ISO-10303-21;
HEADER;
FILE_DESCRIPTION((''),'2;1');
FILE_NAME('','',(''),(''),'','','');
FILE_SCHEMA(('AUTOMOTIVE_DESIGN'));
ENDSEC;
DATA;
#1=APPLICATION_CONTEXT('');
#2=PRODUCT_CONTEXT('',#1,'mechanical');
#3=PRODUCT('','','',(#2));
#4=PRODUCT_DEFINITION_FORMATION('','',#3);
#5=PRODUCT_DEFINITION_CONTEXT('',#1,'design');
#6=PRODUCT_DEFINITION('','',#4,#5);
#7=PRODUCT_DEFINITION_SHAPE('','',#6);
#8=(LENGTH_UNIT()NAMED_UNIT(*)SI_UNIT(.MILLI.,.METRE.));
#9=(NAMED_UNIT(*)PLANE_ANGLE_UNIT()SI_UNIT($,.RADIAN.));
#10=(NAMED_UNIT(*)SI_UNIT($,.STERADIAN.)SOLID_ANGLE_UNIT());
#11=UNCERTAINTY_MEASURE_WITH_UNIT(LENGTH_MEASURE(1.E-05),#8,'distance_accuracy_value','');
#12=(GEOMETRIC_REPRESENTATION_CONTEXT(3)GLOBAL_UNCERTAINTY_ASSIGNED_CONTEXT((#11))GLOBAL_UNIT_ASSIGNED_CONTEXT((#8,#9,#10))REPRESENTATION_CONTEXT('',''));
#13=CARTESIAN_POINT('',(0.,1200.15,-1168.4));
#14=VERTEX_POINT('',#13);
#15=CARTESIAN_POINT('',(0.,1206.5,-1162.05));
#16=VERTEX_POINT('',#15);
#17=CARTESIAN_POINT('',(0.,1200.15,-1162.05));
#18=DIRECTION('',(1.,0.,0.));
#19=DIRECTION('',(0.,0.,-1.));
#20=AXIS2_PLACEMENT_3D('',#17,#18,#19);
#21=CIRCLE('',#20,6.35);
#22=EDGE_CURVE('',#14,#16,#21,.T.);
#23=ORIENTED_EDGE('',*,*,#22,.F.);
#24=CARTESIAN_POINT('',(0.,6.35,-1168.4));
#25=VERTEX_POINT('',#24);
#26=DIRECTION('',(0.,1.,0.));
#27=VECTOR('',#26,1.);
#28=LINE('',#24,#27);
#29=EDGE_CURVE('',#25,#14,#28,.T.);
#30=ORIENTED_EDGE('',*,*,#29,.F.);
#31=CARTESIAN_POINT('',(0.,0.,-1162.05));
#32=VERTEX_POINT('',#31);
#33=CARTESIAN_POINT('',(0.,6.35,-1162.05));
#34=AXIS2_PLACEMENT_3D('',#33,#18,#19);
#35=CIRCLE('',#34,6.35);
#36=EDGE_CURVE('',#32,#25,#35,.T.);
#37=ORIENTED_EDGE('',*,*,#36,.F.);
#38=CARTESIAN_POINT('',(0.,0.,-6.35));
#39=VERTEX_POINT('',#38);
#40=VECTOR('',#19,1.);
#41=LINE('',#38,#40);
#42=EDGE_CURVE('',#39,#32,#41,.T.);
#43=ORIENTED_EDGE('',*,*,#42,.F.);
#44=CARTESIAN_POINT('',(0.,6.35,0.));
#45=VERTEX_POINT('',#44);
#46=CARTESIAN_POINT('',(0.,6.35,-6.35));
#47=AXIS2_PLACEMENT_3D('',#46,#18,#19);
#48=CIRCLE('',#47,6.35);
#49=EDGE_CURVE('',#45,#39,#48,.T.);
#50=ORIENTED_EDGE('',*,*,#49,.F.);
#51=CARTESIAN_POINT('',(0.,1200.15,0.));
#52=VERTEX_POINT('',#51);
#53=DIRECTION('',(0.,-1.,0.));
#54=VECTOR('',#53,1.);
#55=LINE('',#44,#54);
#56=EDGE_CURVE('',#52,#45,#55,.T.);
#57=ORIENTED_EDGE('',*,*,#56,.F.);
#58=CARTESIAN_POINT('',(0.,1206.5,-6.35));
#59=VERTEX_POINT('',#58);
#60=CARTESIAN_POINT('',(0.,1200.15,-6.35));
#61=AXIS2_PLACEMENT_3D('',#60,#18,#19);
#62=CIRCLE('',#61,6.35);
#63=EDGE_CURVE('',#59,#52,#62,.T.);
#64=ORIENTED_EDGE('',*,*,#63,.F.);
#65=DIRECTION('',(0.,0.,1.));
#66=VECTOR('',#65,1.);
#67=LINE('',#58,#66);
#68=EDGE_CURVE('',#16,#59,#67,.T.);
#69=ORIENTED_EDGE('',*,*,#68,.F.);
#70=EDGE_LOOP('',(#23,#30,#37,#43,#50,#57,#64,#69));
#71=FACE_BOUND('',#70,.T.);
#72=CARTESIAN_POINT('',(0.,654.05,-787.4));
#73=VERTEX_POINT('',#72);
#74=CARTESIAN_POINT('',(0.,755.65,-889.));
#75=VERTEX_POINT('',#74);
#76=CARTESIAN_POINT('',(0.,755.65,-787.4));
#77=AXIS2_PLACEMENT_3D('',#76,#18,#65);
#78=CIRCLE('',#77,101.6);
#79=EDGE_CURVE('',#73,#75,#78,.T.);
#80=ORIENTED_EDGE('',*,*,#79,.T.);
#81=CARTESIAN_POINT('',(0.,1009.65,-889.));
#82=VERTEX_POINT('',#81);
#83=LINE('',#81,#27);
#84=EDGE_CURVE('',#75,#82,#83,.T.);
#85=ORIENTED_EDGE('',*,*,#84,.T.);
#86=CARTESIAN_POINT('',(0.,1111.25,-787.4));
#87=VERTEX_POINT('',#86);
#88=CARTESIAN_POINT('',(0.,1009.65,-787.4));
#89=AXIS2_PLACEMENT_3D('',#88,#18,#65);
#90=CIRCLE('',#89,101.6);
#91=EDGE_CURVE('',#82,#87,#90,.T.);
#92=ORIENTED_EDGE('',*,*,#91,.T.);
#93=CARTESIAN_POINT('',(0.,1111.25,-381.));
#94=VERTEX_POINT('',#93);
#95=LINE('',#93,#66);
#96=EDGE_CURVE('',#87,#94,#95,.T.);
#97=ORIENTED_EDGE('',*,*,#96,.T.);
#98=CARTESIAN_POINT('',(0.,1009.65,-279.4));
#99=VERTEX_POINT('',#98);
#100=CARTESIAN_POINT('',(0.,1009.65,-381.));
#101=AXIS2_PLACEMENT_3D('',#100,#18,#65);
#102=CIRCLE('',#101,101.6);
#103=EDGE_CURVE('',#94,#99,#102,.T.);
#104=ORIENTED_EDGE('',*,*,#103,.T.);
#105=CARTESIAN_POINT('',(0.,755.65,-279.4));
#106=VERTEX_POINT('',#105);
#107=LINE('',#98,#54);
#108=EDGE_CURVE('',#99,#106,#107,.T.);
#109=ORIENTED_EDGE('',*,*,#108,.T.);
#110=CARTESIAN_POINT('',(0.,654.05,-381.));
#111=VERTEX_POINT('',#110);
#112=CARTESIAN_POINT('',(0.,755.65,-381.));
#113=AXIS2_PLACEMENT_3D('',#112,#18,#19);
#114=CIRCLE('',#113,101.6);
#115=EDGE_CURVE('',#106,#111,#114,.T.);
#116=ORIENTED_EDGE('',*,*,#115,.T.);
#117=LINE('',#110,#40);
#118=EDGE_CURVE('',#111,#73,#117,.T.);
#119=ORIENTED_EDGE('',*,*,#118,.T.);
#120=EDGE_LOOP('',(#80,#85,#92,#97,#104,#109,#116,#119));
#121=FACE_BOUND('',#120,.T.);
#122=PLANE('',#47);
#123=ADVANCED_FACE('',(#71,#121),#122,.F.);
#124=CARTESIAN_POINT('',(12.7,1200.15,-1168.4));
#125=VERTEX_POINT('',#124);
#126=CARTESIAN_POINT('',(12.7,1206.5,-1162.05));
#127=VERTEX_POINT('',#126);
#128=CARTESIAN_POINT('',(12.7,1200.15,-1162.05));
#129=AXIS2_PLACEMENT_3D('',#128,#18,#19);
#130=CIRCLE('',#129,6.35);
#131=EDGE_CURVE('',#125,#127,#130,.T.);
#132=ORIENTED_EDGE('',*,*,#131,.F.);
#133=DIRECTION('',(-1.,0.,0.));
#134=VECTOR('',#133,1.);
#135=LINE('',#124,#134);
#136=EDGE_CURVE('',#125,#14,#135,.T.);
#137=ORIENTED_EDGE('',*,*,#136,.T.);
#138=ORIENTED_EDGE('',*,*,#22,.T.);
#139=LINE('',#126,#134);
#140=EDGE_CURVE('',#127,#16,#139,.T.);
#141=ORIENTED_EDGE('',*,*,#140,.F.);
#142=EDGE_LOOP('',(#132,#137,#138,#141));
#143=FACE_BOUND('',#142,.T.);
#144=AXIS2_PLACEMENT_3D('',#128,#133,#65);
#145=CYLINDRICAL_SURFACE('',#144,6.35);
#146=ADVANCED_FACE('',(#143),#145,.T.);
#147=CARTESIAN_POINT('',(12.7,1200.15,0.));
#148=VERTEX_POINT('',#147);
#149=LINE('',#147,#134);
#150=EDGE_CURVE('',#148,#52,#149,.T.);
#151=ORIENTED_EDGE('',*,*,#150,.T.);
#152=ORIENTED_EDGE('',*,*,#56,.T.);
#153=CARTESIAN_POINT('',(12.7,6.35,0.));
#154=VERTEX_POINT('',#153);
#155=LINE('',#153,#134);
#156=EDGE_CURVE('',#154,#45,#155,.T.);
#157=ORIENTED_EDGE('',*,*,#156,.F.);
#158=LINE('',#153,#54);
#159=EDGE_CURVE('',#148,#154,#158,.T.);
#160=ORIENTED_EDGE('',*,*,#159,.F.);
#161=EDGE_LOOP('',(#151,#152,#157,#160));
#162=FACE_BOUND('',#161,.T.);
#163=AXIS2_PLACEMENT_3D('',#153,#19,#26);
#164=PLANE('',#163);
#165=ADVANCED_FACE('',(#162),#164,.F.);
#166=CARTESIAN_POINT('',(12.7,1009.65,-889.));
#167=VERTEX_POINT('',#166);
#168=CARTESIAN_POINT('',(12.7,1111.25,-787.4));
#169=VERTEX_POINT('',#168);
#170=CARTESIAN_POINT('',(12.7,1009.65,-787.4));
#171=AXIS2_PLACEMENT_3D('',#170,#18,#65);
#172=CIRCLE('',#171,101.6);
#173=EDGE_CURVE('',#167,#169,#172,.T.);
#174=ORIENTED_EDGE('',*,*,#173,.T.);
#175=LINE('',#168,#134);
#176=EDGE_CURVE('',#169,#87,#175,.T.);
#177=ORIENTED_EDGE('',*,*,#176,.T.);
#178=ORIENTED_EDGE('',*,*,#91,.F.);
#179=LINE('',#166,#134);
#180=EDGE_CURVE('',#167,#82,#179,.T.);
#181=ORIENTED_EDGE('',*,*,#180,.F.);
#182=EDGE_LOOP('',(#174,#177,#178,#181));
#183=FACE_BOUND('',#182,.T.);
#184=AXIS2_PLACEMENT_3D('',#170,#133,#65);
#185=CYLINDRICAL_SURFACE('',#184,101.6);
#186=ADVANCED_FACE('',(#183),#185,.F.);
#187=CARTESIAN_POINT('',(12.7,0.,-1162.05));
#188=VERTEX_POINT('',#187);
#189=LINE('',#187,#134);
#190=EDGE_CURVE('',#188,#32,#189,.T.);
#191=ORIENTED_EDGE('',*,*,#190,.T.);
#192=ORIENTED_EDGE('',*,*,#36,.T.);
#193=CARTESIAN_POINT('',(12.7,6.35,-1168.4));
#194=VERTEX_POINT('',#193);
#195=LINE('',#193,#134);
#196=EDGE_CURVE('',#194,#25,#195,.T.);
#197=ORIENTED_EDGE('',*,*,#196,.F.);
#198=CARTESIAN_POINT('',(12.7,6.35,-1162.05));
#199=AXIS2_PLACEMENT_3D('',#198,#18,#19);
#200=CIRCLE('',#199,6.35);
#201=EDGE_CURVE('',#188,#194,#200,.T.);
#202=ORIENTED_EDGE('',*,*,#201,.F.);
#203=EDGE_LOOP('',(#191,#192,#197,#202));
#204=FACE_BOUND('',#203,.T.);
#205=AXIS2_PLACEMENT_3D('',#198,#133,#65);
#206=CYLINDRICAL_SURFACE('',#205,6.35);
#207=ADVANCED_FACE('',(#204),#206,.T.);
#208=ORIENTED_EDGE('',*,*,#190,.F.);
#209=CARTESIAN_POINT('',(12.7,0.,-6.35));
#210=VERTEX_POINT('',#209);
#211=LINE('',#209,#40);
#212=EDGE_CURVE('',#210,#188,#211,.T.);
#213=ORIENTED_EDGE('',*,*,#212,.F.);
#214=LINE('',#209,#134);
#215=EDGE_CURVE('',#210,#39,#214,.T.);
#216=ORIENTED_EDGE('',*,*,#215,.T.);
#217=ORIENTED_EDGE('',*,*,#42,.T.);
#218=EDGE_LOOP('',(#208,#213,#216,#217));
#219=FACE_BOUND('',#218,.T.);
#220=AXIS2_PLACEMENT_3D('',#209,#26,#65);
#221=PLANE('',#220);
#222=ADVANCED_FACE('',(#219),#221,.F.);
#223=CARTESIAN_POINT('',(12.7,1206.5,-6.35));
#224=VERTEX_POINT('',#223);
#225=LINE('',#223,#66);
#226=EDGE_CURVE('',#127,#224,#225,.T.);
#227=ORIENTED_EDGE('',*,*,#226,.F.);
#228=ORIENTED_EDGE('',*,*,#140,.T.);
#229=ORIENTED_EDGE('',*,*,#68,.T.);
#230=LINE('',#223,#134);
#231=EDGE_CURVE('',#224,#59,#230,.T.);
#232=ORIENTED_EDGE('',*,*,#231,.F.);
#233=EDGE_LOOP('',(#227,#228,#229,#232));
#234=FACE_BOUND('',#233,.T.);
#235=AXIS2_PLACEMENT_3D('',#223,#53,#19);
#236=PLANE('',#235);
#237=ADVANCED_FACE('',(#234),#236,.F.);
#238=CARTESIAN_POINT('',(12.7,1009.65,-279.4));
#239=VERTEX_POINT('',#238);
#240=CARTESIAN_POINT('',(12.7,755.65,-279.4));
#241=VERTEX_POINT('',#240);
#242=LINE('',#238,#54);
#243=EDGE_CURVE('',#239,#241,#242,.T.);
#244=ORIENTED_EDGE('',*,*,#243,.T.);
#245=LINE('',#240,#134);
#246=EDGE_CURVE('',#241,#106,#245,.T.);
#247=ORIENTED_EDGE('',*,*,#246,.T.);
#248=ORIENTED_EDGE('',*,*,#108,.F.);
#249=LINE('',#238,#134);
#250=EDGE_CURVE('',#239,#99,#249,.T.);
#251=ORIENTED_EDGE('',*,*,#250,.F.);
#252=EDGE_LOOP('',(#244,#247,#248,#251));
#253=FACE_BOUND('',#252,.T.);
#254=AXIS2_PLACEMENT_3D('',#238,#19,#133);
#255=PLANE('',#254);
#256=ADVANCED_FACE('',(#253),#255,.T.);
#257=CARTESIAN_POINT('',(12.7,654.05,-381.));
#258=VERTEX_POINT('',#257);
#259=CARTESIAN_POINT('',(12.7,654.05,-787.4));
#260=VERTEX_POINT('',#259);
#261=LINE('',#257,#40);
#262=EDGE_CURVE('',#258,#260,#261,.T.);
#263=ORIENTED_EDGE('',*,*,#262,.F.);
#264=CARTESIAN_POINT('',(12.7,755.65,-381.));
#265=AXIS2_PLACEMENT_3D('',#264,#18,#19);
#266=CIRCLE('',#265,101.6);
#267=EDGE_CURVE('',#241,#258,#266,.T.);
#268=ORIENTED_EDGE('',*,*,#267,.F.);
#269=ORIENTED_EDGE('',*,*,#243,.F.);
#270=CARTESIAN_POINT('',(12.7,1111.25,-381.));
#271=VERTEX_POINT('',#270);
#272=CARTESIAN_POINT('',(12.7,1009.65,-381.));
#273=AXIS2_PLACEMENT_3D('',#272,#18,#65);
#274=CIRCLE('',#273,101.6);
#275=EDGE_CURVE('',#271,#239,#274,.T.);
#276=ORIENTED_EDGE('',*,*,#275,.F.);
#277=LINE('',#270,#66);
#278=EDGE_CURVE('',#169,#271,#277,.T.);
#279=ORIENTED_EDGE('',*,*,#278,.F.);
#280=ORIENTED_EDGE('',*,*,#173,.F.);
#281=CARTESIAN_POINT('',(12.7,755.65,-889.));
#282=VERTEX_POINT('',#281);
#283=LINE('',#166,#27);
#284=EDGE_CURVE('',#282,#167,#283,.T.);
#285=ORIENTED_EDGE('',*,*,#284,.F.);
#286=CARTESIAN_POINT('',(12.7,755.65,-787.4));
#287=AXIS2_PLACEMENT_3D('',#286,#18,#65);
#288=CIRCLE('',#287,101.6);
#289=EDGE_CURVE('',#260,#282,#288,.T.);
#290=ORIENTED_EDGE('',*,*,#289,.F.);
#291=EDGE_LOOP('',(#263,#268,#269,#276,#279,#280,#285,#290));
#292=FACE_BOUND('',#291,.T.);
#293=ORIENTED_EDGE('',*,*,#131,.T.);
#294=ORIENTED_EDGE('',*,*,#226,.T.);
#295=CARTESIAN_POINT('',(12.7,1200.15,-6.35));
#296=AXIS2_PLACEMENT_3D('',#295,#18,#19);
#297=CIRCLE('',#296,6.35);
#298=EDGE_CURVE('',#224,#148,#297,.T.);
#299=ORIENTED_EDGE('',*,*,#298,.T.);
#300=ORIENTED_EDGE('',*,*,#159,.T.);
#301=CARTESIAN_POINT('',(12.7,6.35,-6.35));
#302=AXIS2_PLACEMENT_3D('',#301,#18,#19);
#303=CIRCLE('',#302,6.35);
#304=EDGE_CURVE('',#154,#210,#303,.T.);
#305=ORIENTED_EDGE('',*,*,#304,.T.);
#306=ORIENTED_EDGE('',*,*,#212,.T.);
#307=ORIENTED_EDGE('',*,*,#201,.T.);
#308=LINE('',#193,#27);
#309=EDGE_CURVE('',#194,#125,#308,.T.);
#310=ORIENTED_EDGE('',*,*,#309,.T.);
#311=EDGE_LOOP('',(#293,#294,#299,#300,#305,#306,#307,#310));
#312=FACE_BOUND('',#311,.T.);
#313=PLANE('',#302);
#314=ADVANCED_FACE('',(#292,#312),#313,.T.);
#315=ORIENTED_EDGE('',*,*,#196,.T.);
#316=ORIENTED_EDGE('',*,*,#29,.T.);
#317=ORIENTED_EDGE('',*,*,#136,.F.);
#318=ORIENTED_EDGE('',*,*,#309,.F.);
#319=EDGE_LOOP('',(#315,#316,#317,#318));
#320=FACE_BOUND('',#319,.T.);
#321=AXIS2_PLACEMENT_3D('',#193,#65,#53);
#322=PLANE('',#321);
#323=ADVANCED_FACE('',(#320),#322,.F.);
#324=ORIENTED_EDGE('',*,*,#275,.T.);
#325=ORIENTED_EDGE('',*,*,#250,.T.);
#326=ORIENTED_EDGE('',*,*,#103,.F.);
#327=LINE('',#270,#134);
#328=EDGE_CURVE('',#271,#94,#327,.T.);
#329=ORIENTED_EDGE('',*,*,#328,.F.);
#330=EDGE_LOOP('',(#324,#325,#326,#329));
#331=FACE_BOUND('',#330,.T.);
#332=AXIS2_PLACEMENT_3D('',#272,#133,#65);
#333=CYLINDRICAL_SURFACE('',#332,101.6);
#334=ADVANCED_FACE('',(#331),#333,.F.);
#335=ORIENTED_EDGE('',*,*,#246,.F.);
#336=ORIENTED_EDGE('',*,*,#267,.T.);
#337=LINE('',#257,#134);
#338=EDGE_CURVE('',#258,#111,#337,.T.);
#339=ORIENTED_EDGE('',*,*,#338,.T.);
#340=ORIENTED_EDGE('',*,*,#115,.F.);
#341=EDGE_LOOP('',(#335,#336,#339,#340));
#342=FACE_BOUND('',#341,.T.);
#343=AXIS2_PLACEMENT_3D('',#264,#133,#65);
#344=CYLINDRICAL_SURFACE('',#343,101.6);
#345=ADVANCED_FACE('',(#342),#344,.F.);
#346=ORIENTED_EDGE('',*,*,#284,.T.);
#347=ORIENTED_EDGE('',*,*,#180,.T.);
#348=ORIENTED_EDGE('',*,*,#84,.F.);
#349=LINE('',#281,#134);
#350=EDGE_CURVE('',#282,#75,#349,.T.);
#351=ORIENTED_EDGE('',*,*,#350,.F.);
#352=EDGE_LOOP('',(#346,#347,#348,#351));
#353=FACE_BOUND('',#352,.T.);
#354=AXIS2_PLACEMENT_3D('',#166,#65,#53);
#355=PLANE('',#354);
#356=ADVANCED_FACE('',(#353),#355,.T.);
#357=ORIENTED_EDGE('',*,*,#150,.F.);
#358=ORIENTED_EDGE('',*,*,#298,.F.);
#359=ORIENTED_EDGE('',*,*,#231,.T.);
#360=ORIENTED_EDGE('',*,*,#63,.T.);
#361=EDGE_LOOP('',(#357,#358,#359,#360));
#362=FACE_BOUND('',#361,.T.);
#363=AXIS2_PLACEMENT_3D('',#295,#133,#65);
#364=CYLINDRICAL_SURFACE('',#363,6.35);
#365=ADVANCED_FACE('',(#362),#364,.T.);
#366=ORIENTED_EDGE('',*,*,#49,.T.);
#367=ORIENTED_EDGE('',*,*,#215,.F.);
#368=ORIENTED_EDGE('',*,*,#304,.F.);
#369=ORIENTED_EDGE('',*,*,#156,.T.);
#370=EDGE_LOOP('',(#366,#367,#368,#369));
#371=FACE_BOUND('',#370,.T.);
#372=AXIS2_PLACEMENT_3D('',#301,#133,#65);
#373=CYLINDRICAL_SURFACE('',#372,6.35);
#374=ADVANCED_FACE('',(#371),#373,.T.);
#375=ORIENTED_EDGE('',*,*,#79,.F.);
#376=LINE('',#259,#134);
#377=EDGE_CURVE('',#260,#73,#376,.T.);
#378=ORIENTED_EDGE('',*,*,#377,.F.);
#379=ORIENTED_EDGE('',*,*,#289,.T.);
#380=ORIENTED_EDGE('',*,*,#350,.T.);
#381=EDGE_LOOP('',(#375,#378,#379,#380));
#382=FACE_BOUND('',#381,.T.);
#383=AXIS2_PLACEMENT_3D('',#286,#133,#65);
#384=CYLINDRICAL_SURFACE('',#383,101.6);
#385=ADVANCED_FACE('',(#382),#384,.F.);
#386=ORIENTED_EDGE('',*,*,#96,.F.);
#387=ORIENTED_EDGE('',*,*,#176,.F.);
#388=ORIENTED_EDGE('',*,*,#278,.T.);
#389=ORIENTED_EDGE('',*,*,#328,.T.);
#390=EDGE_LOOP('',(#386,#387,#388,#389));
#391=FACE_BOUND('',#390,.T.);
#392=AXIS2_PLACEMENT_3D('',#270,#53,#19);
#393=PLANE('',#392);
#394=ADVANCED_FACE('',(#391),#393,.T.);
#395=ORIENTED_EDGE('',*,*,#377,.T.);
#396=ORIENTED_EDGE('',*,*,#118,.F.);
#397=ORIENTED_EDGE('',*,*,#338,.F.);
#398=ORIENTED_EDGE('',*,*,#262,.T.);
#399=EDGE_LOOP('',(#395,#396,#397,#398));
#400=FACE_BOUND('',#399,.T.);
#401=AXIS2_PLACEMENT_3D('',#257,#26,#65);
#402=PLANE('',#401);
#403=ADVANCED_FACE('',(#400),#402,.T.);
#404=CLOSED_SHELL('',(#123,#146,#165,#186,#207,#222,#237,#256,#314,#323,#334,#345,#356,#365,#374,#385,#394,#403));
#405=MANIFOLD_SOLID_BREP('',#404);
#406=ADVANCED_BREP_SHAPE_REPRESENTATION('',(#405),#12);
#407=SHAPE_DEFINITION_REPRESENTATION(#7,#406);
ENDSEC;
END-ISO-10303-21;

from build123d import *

# Parameters (mm, degrees)
BOSS_EXTRUDE1_DEPTH = 12.7


with BuildPart() as part:
    # Sketch1 → Boss-Extrude1 (new body)
    with BuildSketch(Plane(origin=(0, 0, 0), x_dir=(0, 0, -1), z_dir=(1, 0, 0))):
        with BuildLine():
            Line((6.35, 0), (1162.05, 0))
            ThreePointArc((1162.05, 0), (1166.540128061, 1.859871939), (1168.4, 6.35))
            Line((1168.4, 6.35), (1168.4, 1200.15))
            ThreePointArc((1168.4, 1200.15), (1166.540128061, 1204.640128061), (1162.05, 1206.5))
            Line((1162.05, 1206.5), (6.35, 1206.5))
            ThreePointArc((6.35, 1206.5), (1.859871939, 1204.640128061), (0, 1200.15))
            Line((0, 1200.15), (0, 6.35))
            ThreePointArc((0, 6.35), (1.859871939, 1.859871939), (6.35, 0))
        make_face()
        with BuildLine():
            Line((381, 1111.25), (787.4, 1111.25))
            ThreePointArc((787.4, 1111.25), (859.242048969, 1081.492048969), (889, 1009.65))
            Line((889, 1009.65), (889, 755.65))
            ThreePointArc((889, 755.65), (859.242048969, 683.807951031), (787.4, 654.05))
            Line((787.4, 654.05), (381, 654.05))
            ThreePointArc((381, 654.05), (309.157951031, 683.807951031), (279.4, 755.65))
            Line((279.4, 755.65), (279.4, 1009.65))
            ThreePointArc((279.4, 1009.65), (309.157951031, 1081.492048969), (381, 1111.25))
        make_face(mode=Mode.SUBTRACT)
    extrude(amount=BOSS_EXTRUDE1_DEPTH)


solid = part.part
